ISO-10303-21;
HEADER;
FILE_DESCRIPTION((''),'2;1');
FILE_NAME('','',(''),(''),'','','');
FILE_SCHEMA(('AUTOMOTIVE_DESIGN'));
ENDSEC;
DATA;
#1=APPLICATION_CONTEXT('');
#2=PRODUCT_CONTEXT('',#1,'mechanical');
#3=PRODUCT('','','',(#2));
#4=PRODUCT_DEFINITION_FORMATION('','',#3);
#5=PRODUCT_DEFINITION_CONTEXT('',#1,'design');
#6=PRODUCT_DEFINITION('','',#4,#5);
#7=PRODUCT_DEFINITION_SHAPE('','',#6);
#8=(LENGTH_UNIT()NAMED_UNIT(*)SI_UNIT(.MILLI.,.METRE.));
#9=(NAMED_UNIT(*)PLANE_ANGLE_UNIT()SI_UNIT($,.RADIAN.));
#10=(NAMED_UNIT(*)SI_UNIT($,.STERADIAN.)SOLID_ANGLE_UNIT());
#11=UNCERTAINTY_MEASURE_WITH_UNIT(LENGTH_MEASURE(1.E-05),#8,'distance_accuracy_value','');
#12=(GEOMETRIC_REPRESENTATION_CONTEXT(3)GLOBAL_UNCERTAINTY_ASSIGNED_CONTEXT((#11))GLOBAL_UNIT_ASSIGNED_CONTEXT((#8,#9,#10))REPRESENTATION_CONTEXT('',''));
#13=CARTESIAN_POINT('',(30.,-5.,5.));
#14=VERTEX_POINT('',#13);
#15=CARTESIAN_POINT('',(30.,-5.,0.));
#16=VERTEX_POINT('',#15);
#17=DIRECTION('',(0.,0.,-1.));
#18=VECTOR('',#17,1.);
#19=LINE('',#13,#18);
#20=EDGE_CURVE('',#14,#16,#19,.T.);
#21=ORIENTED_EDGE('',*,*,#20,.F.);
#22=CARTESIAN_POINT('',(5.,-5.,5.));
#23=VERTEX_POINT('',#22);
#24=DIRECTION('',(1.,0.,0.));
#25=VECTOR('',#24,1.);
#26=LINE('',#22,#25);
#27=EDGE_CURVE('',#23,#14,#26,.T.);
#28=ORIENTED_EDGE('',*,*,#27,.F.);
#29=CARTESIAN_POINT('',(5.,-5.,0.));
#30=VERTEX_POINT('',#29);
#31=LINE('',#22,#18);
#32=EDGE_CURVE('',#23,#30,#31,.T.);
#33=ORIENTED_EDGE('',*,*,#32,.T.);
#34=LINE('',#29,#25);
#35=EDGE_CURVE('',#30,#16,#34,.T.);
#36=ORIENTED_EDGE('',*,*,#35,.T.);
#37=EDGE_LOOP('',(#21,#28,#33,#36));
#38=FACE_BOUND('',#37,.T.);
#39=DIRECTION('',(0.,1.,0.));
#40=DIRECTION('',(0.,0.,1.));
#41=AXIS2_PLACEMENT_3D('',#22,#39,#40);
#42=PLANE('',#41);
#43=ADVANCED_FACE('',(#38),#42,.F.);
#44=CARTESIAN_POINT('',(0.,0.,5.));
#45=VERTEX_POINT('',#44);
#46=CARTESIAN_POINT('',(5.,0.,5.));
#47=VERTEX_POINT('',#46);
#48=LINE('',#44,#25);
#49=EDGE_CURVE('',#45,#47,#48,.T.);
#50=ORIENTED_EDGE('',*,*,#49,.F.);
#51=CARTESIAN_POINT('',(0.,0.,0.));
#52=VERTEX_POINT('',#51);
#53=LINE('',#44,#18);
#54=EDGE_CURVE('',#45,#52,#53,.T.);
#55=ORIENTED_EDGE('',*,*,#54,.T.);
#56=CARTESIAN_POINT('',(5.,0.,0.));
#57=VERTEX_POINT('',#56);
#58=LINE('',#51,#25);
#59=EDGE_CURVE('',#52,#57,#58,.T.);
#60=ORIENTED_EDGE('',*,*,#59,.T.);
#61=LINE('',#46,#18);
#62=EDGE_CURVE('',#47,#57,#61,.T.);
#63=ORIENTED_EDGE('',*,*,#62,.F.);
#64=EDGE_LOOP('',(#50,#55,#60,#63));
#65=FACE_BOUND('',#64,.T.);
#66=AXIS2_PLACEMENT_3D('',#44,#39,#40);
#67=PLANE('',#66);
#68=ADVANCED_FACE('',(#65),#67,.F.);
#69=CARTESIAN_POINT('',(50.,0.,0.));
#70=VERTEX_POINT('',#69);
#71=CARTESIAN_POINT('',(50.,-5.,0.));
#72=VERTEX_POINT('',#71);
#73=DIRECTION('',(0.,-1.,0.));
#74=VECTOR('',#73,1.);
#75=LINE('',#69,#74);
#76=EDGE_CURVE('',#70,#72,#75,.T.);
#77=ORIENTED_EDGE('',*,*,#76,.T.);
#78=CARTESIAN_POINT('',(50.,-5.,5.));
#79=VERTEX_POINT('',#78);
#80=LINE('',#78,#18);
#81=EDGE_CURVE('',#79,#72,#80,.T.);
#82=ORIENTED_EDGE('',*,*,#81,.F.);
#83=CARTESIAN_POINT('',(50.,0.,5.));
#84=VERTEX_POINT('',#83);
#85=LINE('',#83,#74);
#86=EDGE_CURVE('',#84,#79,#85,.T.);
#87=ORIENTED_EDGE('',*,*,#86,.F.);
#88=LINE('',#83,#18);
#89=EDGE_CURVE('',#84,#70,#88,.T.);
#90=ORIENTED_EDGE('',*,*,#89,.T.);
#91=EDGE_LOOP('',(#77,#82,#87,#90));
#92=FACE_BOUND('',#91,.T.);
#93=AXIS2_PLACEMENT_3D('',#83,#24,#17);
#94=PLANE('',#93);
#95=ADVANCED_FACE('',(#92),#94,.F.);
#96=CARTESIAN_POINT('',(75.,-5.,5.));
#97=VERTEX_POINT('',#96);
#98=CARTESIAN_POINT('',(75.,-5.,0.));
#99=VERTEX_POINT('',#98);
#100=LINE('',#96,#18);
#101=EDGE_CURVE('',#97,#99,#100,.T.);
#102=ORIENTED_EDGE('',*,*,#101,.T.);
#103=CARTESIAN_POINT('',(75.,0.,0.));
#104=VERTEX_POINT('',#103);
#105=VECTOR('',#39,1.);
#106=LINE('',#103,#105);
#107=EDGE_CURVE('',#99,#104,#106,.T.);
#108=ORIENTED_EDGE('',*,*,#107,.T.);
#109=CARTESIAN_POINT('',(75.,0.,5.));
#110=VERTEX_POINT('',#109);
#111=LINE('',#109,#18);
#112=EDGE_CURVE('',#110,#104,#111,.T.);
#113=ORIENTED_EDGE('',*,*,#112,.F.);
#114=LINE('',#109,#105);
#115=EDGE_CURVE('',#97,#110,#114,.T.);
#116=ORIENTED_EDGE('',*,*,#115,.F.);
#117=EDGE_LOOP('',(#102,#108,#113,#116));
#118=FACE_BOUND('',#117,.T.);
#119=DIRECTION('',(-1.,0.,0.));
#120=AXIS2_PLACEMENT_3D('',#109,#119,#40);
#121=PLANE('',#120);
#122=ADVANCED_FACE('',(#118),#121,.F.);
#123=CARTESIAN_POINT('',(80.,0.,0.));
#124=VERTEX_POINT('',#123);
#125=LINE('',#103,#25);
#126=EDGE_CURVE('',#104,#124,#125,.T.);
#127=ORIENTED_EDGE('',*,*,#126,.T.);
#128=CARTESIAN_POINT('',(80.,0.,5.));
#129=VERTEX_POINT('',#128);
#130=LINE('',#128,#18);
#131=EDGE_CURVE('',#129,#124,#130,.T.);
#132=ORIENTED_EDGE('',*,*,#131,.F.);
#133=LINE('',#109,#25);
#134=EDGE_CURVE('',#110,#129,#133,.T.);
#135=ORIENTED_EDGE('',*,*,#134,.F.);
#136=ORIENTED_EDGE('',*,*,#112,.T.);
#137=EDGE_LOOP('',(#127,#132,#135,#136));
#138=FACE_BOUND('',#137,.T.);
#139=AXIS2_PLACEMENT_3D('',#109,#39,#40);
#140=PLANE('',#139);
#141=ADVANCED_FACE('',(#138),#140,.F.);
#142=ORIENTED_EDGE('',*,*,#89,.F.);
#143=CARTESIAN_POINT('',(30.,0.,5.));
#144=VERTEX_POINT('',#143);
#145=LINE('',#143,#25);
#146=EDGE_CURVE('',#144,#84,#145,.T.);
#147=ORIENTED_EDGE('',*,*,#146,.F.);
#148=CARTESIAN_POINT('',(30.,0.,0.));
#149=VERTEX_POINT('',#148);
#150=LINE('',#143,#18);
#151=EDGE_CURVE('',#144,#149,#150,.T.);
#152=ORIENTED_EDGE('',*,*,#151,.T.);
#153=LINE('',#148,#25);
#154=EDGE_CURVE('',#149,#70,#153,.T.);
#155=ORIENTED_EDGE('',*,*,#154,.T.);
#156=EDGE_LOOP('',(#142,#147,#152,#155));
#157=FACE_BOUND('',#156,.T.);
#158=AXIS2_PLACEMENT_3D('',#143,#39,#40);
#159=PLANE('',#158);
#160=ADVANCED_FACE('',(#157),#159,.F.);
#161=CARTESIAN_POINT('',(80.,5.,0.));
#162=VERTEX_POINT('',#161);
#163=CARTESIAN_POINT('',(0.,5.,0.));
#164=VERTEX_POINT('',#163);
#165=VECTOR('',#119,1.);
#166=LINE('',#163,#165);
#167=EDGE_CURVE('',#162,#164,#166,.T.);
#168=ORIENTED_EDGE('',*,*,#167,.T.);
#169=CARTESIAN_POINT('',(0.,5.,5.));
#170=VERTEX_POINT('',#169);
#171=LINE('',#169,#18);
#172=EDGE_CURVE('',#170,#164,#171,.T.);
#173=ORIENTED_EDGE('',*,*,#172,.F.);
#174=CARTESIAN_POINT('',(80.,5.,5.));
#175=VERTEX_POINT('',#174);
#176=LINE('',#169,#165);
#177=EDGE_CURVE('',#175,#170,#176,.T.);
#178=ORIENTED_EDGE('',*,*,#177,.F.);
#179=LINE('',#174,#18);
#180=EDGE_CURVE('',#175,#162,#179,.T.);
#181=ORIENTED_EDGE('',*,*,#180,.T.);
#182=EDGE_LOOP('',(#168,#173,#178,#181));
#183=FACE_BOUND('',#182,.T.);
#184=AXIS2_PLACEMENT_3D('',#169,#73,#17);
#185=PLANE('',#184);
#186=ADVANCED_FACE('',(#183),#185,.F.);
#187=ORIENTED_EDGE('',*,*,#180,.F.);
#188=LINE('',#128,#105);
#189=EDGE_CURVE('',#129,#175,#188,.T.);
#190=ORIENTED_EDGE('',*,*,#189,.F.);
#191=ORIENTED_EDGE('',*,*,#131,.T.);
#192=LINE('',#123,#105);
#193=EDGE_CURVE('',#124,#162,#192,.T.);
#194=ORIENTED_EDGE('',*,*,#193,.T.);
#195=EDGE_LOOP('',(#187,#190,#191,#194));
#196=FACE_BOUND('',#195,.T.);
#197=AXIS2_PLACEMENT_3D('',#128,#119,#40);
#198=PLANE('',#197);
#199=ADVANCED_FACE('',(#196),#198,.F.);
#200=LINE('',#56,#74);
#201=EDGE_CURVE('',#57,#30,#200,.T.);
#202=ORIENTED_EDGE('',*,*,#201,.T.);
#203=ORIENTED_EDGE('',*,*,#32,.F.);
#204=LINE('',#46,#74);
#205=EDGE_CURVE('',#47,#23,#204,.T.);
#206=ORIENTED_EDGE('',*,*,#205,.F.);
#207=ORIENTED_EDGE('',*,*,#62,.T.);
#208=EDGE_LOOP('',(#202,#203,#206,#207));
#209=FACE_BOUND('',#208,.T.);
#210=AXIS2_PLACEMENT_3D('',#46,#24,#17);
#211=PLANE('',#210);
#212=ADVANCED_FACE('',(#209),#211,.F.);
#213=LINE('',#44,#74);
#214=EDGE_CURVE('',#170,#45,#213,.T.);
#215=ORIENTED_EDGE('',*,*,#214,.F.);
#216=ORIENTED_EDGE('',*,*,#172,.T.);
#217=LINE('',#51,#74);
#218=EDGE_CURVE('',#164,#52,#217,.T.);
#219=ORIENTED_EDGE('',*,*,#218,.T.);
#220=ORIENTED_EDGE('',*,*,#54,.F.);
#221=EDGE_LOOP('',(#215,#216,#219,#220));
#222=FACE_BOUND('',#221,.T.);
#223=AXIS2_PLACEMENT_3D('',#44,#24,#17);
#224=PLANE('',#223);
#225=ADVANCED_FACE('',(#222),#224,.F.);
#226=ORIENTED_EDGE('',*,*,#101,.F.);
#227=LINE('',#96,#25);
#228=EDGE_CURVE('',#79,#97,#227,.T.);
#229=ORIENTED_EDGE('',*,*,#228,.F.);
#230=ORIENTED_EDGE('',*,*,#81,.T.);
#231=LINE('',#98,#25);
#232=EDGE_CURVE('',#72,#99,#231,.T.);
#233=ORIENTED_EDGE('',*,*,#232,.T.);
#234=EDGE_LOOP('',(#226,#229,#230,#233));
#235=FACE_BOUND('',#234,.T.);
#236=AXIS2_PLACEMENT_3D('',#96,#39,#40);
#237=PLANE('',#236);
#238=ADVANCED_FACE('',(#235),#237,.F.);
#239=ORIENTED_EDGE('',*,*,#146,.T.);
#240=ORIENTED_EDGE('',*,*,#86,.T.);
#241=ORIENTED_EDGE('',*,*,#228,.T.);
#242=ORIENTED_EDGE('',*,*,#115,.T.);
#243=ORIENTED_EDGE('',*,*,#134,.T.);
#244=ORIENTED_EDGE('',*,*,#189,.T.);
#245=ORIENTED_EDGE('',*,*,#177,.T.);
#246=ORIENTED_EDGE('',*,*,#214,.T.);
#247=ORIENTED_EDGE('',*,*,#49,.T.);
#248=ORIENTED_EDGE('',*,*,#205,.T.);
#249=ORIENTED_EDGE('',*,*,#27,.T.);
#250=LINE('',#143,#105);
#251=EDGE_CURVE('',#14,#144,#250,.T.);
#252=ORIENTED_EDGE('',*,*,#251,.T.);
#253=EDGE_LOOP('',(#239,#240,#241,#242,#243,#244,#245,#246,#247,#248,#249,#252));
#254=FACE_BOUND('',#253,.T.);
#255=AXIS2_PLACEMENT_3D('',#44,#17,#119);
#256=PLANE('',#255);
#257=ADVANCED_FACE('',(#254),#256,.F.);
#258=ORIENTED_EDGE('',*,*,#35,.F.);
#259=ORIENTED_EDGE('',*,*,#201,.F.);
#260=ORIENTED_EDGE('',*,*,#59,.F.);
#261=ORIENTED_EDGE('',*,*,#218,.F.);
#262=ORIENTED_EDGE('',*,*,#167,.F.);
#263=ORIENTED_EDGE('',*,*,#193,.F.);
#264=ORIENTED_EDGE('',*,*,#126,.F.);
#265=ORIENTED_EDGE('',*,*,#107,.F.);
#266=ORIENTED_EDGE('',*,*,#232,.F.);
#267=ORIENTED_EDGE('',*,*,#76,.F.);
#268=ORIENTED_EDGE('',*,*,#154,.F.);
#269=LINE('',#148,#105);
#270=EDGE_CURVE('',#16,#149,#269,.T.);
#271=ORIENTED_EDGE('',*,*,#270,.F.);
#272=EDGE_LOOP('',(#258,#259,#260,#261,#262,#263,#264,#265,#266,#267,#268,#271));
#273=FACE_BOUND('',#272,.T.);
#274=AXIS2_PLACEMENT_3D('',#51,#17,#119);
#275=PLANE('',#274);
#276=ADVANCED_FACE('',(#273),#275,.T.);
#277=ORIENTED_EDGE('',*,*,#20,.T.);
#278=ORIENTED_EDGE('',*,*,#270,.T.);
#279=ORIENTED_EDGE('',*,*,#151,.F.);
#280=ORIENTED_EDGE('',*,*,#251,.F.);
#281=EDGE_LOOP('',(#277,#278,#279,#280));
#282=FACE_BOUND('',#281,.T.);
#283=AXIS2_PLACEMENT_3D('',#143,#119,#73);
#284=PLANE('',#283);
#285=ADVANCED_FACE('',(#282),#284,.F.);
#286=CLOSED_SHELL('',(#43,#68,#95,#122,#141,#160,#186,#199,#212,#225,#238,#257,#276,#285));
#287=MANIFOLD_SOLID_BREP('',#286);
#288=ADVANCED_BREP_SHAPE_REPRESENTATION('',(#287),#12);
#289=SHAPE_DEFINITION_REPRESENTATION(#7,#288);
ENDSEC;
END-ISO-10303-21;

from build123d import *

# Parameters (mm, degrees)
BOSS_EXTRUDE1_DEPTH = 5


with BuildPart() as part:
    # Sketch1 → Boss-Extrude1 (new body)
    with BuildSketch(Plane.XY):
        Polygon((0, 0), (5, 0), (5, -5), (30, -5), (30, 0), (50, 0), (50, -5), (75, -5), (75, 0), (80, 0), (80, 5), (0, 5), align=None)
    extrude(amount=BOSS_EXTRUDE1_DEPTH)


solid = part.part
